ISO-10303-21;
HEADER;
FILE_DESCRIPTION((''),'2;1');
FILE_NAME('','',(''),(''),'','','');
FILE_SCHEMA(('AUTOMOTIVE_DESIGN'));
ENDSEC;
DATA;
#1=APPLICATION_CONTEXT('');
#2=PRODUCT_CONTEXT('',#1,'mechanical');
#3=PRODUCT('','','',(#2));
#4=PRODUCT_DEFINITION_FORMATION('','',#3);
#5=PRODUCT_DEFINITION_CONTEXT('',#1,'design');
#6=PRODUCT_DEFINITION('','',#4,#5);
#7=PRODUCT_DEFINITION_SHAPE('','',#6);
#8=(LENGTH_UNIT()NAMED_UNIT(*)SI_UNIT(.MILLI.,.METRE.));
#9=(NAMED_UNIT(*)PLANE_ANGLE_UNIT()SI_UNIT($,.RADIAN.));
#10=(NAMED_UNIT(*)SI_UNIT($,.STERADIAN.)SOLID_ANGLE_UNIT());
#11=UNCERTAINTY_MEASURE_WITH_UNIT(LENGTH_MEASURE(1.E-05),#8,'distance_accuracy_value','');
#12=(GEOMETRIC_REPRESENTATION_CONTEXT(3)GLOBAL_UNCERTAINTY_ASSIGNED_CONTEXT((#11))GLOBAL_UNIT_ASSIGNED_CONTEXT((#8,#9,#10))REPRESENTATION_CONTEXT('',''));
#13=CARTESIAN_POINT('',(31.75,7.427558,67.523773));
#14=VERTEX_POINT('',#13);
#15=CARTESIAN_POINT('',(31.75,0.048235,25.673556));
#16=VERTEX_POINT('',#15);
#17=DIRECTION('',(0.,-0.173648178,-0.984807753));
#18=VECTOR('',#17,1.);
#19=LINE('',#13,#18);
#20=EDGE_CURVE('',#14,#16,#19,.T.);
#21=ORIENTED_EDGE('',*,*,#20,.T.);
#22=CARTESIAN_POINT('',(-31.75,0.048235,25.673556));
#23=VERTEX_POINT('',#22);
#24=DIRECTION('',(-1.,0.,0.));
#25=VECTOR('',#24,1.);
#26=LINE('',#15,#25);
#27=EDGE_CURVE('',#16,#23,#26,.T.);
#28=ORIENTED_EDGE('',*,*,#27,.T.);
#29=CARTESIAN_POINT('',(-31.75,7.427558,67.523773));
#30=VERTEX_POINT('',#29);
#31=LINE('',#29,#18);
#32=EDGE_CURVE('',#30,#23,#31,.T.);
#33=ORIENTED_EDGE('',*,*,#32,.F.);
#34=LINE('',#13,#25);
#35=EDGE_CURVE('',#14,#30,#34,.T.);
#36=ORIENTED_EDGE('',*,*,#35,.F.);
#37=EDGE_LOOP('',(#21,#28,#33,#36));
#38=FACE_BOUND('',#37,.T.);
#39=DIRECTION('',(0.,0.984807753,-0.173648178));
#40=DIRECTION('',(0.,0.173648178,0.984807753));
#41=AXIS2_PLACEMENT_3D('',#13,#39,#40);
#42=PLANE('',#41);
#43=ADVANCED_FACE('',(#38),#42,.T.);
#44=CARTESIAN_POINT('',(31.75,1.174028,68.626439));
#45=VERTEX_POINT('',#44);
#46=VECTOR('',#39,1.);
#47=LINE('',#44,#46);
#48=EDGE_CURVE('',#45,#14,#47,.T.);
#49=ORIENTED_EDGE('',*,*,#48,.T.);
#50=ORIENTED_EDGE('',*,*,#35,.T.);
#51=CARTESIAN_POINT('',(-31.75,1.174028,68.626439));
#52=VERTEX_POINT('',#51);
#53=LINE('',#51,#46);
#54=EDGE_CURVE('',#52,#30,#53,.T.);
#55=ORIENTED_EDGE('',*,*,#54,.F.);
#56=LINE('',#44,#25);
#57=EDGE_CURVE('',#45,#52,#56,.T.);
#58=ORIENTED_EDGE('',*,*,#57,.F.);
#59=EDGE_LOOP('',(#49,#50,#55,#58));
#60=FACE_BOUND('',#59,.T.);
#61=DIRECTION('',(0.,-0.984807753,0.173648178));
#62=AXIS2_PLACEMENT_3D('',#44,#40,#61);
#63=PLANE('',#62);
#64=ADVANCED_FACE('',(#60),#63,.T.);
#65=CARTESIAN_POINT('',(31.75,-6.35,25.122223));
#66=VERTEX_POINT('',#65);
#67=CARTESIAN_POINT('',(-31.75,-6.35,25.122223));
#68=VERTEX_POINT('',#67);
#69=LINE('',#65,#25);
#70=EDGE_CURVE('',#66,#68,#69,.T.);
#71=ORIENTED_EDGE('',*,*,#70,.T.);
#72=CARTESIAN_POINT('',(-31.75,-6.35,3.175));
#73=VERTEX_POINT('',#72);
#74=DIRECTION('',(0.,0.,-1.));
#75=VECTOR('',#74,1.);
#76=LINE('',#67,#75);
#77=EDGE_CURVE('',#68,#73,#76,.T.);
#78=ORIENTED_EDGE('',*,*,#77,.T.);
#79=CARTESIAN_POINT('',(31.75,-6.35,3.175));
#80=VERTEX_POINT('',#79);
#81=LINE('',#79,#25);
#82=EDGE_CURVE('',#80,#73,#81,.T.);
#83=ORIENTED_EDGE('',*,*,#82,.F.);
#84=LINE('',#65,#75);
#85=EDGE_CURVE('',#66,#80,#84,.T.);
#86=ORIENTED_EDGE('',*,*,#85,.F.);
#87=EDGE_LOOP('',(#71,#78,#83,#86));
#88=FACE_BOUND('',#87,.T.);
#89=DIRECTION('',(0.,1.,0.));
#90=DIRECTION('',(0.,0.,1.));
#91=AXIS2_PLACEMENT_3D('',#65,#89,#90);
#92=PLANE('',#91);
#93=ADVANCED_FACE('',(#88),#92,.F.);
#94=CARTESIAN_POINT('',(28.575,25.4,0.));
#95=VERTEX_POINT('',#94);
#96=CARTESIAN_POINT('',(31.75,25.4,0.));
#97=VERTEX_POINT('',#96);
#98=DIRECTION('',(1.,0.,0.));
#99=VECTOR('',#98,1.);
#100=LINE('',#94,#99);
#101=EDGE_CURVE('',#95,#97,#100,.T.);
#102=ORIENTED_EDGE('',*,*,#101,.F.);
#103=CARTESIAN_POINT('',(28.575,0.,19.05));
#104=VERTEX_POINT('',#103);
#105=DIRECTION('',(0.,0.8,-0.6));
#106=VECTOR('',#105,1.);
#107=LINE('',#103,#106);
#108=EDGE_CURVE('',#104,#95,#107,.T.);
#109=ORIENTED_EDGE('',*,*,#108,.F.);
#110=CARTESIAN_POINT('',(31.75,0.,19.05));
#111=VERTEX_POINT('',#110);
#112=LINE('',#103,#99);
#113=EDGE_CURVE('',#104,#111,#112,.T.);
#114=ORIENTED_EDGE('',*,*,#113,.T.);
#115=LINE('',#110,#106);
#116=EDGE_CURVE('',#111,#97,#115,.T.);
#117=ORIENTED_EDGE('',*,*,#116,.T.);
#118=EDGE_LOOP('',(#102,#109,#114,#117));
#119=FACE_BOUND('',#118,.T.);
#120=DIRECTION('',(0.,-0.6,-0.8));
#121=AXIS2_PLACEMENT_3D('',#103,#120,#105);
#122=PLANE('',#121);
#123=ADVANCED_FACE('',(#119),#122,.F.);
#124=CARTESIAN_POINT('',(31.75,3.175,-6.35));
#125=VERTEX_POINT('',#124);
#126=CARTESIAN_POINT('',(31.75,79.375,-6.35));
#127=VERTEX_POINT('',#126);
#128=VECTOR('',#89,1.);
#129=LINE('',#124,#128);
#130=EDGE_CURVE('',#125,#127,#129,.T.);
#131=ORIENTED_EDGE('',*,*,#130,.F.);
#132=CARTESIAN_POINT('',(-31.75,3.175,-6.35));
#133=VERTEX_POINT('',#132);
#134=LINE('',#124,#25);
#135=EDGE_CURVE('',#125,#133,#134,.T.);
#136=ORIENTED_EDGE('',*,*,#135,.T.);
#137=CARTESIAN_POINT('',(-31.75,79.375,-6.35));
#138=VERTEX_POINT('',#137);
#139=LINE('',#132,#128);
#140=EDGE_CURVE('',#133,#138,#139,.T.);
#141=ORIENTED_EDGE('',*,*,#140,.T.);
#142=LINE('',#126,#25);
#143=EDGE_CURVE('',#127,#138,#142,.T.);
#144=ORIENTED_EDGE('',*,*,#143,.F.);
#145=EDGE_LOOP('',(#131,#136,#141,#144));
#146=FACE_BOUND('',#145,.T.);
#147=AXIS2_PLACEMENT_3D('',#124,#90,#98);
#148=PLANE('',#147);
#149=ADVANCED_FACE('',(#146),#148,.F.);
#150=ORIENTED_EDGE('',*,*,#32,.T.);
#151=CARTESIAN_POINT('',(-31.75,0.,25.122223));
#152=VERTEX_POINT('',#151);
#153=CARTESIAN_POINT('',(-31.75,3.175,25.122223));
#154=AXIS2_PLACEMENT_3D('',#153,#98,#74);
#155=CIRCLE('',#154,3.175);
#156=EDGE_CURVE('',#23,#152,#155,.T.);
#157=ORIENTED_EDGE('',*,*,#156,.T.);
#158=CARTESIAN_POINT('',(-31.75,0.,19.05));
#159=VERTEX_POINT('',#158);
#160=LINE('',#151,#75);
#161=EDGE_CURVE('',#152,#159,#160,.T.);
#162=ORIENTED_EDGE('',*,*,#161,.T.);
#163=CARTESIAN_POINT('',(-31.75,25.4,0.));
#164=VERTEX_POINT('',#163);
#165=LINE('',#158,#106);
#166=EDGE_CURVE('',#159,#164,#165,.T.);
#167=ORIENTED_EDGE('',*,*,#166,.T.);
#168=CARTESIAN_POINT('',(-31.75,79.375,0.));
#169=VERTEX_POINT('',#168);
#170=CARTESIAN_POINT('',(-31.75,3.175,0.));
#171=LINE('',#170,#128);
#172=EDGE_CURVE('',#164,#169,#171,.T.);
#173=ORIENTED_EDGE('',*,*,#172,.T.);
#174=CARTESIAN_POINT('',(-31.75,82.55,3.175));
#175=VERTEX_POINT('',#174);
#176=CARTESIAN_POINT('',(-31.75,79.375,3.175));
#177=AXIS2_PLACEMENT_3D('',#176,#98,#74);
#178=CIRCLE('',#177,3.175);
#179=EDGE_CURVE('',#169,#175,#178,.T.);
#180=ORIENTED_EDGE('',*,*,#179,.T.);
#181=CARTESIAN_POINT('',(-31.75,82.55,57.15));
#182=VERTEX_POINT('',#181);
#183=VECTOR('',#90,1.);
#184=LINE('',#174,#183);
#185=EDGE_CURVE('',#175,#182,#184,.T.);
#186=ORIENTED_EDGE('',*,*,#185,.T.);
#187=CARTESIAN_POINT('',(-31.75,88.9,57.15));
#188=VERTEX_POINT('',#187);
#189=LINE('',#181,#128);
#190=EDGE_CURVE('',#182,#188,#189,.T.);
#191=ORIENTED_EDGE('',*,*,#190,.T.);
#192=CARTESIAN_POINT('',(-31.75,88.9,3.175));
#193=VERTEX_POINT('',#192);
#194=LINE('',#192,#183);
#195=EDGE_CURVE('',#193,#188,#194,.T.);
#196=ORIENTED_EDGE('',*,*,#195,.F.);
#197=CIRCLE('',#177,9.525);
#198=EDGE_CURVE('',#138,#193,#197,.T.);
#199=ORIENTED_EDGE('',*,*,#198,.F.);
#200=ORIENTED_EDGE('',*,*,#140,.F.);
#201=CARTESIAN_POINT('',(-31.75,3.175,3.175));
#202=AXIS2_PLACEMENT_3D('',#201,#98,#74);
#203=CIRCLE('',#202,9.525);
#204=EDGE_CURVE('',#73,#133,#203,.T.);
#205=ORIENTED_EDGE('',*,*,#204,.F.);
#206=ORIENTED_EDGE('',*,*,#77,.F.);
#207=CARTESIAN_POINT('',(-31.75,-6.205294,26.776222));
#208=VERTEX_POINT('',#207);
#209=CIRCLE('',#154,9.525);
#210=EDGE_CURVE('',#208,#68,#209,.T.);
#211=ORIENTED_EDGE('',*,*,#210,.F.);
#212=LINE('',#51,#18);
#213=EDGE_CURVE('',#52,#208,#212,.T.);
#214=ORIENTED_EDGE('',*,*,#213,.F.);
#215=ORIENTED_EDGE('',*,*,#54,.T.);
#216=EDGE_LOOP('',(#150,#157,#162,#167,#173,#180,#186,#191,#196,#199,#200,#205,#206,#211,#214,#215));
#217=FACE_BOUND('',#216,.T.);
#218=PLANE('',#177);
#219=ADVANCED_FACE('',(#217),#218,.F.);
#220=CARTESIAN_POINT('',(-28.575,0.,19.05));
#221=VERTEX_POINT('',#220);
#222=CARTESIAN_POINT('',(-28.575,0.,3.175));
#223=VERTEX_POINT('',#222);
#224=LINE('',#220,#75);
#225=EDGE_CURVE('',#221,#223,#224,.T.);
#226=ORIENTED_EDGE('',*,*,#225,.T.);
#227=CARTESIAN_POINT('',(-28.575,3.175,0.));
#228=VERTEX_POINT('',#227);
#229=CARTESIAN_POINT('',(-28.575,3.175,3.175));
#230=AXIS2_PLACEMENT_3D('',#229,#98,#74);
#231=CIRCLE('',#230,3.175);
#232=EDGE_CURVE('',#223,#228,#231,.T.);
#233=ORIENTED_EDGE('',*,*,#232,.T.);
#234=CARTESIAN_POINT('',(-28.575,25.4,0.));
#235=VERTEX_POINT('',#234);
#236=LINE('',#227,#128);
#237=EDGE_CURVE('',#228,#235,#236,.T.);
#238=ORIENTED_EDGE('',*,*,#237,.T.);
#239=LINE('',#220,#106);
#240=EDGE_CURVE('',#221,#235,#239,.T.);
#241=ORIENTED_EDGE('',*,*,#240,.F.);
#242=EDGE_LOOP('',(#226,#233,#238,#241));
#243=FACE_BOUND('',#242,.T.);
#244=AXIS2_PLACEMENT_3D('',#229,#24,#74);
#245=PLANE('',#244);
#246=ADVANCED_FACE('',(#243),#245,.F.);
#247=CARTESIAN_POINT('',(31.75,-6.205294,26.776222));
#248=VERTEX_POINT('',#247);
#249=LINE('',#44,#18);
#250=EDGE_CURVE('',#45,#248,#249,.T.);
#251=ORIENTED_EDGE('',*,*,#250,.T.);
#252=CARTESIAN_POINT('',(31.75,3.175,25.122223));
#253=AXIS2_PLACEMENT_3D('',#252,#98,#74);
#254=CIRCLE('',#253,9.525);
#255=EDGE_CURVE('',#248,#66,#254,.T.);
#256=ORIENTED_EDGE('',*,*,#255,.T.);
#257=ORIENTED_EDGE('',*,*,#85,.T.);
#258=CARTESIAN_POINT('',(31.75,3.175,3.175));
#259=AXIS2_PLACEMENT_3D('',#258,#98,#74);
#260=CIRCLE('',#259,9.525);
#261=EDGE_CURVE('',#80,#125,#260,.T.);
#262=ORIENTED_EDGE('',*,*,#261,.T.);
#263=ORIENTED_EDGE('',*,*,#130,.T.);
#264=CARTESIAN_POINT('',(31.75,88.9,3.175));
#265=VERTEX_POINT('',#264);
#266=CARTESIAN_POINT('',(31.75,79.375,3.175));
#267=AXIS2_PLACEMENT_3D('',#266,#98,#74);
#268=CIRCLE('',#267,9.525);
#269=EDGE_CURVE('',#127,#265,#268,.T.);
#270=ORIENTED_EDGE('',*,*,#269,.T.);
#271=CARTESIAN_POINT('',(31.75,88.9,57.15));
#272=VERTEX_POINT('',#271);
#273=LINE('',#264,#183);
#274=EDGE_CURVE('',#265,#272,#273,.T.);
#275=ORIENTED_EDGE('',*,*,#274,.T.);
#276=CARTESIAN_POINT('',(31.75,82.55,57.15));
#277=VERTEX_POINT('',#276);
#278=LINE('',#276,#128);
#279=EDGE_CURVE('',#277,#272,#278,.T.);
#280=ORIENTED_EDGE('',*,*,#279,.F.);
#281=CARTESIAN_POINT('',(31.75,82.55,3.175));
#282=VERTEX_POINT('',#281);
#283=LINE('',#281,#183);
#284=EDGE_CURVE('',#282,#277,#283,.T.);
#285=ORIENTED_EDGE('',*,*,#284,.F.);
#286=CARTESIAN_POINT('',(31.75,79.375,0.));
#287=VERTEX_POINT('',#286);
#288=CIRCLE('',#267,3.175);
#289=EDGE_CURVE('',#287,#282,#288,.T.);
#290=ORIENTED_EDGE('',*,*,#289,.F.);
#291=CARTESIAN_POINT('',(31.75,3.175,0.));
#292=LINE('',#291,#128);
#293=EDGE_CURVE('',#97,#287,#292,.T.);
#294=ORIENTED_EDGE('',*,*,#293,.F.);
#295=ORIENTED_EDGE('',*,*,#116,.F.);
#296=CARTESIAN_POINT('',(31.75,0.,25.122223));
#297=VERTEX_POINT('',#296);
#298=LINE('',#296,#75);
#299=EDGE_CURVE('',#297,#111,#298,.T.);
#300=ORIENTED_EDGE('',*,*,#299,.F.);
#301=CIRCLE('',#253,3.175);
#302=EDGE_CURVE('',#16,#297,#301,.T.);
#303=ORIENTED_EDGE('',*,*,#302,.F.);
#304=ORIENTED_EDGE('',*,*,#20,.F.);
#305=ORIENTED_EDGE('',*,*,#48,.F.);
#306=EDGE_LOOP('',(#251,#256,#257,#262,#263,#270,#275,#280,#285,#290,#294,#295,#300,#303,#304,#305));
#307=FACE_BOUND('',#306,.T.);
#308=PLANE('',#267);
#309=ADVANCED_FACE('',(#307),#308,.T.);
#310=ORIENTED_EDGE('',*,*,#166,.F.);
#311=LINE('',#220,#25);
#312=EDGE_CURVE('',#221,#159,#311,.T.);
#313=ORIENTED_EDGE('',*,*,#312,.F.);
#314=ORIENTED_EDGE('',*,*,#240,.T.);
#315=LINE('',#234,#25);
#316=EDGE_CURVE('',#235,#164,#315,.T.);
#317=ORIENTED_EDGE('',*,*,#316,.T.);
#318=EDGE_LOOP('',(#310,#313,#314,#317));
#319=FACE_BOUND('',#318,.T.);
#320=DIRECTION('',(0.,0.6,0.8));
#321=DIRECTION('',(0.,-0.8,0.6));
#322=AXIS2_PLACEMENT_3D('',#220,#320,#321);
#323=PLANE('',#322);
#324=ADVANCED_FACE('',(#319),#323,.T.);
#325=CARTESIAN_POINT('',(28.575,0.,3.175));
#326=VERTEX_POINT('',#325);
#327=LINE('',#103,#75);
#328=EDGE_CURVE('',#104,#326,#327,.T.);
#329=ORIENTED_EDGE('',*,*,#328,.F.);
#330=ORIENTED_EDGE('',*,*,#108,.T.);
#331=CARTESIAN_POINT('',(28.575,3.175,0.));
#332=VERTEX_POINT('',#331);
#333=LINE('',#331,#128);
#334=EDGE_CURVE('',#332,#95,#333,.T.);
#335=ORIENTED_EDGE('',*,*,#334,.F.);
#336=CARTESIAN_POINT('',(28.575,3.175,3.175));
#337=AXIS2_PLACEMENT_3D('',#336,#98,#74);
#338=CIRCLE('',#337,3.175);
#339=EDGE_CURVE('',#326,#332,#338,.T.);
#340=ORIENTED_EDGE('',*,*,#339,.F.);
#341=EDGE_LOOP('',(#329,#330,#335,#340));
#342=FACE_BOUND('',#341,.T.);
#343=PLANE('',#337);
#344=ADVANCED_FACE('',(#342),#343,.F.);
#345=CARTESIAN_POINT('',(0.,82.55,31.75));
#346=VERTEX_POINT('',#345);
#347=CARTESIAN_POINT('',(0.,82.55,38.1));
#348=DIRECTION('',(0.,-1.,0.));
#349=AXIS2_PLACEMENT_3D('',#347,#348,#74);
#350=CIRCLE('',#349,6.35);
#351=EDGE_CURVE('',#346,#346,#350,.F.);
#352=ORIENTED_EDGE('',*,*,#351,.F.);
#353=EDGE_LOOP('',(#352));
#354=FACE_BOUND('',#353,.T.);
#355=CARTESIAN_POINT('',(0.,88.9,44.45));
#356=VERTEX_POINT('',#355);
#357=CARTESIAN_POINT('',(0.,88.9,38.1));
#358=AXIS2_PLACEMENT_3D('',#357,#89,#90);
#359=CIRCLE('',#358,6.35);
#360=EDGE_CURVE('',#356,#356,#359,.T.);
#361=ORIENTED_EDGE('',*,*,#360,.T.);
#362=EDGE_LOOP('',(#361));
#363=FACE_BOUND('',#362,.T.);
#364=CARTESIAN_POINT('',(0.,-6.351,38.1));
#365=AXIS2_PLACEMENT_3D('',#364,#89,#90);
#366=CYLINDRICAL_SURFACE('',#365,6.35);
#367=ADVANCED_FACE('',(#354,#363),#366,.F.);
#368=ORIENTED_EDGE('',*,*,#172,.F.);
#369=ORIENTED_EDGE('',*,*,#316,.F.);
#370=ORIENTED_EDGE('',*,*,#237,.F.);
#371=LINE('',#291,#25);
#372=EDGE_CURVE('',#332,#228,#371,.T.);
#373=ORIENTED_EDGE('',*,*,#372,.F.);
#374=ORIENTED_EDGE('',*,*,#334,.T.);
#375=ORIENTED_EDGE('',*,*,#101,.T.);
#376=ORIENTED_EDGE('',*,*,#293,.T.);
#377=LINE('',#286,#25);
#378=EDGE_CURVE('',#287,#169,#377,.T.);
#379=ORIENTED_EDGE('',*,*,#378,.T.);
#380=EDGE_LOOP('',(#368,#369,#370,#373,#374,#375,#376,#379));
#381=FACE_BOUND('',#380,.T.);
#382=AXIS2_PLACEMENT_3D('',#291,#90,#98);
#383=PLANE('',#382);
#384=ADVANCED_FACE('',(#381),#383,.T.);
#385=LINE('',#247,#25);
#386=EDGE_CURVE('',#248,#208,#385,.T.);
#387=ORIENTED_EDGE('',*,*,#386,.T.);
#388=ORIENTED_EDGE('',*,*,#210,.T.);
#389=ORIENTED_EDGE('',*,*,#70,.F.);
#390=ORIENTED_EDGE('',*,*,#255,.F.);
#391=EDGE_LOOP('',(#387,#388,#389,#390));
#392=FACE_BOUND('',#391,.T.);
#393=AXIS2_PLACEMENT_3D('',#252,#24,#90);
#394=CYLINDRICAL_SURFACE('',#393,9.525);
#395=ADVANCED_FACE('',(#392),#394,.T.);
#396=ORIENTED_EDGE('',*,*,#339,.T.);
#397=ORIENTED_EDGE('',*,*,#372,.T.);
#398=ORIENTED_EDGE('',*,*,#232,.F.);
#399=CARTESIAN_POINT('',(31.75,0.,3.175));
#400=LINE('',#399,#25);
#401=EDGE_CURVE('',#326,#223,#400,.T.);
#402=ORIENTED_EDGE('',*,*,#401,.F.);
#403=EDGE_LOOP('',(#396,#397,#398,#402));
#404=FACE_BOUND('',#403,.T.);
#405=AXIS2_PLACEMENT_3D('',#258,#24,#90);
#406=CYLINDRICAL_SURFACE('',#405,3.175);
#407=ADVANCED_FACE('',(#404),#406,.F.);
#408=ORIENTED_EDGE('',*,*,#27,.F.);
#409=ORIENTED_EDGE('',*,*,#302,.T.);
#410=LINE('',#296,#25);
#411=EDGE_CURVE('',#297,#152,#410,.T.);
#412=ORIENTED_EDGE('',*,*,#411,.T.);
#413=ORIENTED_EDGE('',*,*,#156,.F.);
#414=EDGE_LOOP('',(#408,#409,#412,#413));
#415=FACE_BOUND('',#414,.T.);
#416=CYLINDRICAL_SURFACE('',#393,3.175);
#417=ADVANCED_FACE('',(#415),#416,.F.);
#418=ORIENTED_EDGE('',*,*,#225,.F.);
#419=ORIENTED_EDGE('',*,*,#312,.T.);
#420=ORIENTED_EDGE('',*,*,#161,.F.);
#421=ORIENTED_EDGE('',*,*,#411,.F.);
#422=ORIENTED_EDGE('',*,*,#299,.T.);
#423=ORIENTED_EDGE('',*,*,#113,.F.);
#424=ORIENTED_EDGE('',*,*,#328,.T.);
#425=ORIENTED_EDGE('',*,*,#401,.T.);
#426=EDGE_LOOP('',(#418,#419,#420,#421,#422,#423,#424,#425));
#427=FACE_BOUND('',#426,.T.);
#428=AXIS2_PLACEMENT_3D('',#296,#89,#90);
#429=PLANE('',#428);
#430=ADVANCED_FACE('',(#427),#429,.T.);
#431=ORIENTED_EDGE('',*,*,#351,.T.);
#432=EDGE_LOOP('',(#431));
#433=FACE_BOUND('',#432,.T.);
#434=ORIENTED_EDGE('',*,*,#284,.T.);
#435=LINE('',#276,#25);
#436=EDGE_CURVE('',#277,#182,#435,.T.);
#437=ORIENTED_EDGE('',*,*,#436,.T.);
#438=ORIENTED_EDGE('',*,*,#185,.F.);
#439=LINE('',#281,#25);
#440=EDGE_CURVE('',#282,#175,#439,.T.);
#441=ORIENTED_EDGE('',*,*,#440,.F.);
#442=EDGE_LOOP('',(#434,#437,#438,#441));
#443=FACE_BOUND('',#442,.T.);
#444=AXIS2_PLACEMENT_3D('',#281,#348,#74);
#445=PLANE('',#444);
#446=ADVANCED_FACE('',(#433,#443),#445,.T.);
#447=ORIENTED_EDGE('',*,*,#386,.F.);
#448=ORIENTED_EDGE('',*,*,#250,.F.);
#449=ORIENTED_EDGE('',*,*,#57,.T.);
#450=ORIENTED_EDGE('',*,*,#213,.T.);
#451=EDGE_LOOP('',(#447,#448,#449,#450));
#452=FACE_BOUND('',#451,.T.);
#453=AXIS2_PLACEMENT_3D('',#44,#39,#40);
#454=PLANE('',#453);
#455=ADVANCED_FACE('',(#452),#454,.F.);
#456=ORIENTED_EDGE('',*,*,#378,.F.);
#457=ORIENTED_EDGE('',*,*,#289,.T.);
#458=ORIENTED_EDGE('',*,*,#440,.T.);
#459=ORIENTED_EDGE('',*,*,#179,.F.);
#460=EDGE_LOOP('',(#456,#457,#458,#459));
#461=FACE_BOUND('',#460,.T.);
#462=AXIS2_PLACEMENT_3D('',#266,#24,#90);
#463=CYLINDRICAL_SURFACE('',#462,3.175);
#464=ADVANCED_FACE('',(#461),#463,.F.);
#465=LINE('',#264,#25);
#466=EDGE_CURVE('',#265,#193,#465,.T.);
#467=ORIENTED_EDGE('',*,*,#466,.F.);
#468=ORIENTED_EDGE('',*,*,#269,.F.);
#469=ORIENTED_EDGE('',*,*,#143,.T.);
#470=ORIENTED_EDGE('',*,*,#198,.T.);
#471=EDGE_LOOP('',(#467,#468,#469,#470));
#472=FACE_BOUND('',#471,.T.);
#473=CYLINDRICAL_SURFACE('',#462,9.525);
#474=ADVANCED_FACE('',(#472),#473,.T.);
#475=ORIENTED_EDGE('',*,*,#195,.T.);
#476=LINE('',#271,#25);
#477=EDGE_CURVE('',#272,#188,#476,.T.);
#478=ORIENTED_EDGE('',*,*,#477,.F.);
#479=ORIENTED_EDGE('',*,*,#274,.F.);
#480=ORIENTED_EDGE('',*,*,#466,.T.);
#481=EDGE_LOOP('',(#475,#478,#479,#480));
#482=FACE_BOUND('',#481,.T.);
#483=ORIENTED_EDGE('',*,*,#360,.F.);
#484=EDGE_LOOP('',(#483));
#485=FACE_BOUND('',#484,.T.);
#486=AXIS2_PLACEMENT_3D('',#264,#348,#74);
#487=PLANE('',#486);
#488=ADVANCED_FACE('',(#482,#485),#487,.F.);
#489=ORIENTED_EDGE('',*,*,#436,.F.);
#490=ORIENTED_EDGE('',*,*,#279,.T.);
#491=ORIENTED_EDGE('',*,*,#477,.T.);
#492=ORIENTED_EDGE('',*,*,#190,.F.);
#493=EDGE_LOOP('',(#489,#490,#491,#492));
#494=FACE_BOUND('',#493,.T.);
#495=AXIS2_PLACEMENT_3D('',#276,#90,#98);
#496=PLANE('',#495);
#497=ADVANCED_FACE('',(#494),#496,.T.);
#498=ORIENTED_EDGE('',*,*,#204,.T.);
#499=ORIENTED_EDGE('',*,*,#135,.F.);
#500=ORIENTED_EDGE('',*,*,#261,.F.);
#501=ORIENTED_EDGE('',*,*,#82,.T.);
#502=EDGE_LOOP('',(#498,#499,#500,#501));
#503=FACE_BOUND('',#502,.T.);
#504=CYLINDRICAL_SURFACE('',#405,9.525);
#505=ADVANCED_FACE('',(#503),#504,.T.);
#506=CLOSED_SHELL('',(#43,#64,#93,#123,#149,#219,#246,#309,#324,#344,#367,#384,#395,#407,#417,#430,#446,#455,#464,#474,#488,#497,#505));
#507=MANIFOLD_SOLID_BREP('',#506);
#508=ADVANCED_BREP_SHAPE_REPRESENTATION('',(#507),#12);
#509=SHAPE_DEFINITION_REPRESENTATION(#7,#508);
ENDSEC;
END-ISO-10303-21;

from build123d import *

# Parameters (mm, degrees)
BASE_EXTRUDE_THIN_DEPTH = 31.75
CUT_EXTRUDE1_REACH      = 123.615
SKETCH2_R               = 6.35
BOSS_EXTRUDE1_DEPTH     = 3.175


with BuildPart() as part:
    # Sketch1 → Base-Extrude-Thin (new, symmetric)
    with BuildSketch(Plane(origin=(0, 0, 0), x_dir=(0, 0, -1), z_dir=(1, 0, 0))):
        with BuildLine():
            Line((-67.523772904, 7.427557692), (-25.673556457, 0.048235384))
            ThreePointArc((-25.673556457, 0.048235384), (-25.398942977, 0.012081834), (-25.122223493, 0))
            Line((-25.122223493, 0), (-3.175, 0))
            ThreePointArc((-3.175, 0), (-0.92993597, 0.92993597), (0, 3.175))
            Line((0, 3.175), (0, 79.375))
            ThreePointArc((0, 79.375), (-0.92993597, 81.62006403), (-3.175, 82.55))
            Line((-3.175, 82.55), (-57.15, 82.55))
            Line((-57.15, 82.55), (-57.15, 88.9))
            Line((-57.15, 88.9), (-3.175, 88.9))
            ThreePointArc((-3.175, 88.9), (3.560192091, 86.110192091), (6.35, 79.375))
            Line((6.35, 79.375), (6.35, 3.175))
            ThreePointArc((6.35, 3.175), (3.560192091, -3.560192091), (-3.175, -6.35))
            Line((-3.175, -6.35), (-25.122223493, -6.35))
            ThreePointArc((-25.122223493, -6.35), (-25.952381943, -6.313754499), (-26.776222386, -6.205293847))
            Line((-26.776222386, -6.205293847), (-68.626438832, 1.174028461))
            Line((-68.626438832, 1.174028461), (-67.523772904, 7.427557692))
        make_face()
    extrude(amount=BASE_EXTRUDE_THIN_DEPTH, both=True)

    # Sketch2 → Cut-Extrude1 (cut, up to next)
    with BuildSketch(Plane(origin=(0, 88.9, 0), x_dir=(-1, 0, 0), z_dir=(0, 1, 0)), mode=Mode.PRIVATE) as cut_extrude1_sk1:
        with Locations(Location((0, 38.1, 0), (0, 0, 90))):
            Circle(SKETCH2_R)
    cut_extrude1_tool1 = extrude(cut_extrude1_sk1.sketch, amount=-CUT_EXTRUDE1_REACH, mode=Mode.PRIVATE) & part.part
    add(cut_extrude1_tool1.solids().sort_by_distance((0, 88.9, 38.1))[0], mode=Mode.SUBTRACT)

    # Sketch3 → Boss-Extrude1 (add)
    with BuildSketch(Plane(origin=(31.75, 0, 0), x_dir=(0, 0, -1), z_dir=(1, 0, 0))):
        with BuildLine():
            Line((-19.05, 0), (-3.175, 0))
            ThreePointArc((-3.175, 0), (-0.92993597, 0.92993597), (0, 3.175))
            Line((0, 3.175), (0, 25.4))
            Line((0, 25.4), (-19.05, 0))
        make_face()
    boss_extrude1 = extrude(amount=-BOSS_EXTRUDE1_DEPTH)

    # Mirror1: Boss-Extrude1 across plane
    add(boss_extrude1.mirror(Plane(origin=(0, 0, 0), x_dir=(0, 0, 1), z_dir=(1, 0, 0))))


solid = part.part
